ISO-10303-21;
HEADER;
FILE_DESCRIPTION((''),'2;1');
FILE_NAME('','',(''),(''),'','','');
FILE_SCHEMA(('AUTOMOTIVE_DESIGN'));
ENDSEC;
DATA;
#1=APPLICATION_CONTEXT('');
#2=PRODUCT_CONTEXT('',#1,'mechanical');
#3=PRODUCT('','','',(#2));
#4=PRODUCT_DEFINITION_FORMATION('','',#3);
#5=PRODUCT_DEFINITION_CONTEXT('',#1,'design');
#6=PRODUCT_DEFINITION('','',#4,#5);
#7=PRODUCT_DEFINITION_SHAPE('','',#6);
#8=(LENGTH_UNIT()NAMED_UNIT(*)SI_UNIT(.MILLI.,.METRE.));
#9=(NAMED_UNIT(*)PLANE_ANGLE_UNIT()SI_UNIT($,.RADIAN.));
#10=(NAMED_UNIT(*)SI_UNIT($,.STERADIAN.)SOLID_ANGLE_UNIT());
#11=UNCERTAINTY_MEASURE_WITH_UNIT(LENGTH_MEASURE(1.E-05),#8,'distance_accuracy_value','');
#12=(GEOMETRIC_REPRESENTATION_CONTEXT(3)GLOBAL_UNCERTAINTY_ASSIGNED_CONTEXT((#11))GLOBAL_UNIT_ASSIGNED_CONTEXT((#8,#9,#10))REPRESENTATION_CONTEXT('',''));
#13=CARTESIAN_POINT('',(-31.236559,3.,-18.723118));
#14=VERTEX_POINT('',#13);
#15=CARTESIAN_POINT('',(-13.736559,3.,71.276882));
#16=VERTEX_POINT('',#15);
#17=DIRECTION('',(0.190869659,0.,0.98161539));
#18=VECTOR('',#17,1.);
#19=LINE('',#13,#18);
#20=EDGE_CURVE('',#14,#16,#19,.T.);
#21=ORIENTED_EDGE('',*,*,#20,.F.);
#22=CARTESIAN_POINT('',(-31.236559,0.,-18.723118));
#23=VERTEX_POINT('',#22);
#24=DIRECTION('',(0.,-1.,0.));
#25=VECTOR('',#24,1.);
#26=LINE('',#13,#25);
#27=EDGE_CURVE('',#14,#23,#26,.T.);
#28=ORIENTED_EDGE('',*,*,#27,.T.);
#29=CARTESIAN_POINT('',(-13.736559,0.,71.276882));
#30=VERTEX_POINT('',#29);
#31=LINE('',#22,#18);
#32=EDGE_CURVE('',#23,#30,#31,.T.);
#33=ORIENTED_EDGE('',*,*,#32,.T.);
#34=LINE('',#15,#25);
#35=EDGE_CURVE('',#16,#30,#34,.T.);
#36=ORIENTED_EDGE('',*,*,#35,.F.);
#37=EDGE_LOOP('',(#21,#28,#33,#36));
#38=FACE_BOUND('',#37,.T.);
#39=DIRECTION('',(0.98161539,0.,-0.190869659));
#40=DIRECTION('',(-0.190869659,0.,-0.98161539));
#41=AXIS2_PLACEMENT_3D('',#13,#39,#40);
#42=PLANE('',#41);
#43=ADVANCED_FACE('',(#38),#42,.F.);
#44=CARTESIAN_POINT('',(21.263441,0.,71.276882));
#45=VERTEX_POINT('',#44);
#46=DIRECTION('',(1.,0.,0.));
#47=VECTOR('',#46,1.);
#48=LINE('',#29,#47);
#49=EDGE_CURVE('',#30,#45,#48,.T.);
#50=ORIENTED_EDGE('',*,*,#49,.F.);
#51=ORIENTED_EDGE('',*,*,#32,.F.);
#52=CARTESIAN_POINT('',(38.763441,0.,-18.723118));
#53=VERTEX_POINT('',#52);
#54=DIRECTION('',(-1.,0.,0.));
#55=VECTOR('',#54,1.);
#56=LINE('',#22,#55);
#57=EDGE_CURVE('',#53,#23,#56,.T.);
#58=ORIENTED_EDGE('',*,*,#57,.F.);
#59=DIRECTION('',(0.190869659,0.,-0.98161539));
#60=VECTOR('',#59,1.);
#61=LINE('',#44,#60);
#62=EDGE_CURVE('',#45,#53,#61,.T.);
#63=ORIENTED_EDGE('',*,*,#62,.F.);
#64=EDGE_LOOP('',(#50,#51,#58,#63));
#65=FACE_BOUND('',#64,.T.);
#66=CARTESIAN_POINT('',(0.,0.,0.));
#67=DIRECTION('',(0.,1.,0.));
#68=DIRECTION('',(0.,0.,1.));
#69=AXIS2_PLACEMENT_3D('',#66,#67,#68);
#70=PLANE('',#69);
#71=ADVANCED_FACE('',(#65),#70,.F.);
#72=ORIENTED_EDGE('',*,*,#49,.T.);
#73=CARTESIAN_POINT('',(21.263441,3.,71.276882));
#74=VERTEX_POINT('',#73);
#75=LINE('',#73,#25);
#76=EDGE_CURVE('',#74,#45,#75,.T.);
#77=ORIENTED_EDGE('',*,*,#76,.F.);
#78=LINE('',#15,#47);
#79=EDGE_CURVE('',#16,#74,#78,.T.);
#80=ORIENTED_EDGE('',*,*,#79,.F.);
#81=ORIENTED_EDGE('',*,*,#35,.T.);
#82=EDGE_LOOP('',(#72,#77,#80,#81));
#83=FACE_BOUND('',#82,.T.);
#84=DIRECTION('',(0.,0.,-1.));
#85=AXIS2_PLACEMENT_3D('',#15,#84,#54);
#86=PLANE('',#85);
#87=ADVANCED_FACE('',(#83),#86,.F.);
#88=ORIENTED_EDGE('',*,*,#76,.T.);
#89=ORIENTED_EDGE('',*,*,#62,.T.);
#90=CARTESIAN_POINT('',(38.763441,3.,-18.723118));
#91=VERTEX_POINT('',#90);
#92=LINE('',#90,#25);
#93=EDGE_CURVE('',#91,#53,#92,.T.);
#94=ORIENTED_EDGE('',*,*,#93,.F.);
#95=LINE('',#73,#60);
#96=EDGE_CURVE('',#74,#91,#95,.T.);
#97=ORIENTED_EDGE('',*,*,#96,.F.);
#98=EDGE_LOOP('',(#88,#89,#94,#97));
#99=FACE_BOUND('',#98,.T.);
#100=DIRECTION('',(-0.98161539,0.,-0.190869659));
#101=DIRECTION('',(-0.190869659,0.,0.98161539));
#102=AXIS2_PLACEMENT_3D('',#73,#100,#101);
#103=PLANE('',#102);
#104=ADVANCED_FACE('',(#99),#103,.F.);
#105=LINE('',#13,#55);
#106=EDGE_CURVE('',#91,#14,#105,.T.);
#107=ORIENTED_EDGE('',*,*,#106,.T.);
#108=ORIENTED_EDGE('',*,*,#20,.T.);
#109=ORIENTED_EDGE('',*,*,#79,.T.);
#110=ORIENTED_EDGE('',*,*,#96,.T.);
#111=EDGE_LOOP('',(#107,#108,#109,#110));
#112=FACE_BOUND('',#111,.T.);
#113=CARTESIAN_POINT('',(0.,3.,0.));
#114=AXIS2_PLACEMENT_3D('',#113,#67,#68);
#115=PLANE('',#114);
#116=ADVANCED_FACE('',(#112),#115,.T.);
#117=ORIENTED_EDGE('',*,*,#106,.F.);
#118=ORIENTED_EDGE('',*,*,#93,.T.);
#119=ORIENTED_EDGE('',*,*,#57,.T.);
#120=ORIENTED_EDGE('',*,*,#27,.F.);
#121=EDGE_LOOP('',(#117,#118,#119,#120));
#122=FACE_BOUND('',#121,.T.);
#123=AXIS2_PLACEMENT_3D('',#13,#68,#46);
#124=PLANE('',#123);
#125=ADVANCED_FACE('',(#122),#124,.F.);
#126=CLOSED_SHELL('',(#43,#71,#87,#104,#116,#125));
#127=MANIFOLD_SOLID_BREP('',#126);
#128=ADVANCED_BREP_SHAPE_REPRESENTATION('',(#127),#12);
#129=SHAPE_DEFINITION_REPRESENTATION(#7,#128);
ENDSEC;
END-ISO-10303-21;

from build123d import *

# Parameters (mm, degrees)
BOSS_EXTRUDE1_DEPTH = 3


with BuildPart() as part:
    # Sketch1 → Boss-Extrude1 (new body)
    with BuildSketch(Plane(origin=(0, 0, 0), x_dir=(1, 0, 0), z_dir=(0, 1, 0))):
        Polygon((-31.23655914, 18.72311828), (38.76344086, 18.72311828), (21.26344086, -71.27688172), (-13.73655914, -71.27688172), align=None)
    extrude(amount=BOSS_EXTRUDE1_DEPTH)


solid = part.part
